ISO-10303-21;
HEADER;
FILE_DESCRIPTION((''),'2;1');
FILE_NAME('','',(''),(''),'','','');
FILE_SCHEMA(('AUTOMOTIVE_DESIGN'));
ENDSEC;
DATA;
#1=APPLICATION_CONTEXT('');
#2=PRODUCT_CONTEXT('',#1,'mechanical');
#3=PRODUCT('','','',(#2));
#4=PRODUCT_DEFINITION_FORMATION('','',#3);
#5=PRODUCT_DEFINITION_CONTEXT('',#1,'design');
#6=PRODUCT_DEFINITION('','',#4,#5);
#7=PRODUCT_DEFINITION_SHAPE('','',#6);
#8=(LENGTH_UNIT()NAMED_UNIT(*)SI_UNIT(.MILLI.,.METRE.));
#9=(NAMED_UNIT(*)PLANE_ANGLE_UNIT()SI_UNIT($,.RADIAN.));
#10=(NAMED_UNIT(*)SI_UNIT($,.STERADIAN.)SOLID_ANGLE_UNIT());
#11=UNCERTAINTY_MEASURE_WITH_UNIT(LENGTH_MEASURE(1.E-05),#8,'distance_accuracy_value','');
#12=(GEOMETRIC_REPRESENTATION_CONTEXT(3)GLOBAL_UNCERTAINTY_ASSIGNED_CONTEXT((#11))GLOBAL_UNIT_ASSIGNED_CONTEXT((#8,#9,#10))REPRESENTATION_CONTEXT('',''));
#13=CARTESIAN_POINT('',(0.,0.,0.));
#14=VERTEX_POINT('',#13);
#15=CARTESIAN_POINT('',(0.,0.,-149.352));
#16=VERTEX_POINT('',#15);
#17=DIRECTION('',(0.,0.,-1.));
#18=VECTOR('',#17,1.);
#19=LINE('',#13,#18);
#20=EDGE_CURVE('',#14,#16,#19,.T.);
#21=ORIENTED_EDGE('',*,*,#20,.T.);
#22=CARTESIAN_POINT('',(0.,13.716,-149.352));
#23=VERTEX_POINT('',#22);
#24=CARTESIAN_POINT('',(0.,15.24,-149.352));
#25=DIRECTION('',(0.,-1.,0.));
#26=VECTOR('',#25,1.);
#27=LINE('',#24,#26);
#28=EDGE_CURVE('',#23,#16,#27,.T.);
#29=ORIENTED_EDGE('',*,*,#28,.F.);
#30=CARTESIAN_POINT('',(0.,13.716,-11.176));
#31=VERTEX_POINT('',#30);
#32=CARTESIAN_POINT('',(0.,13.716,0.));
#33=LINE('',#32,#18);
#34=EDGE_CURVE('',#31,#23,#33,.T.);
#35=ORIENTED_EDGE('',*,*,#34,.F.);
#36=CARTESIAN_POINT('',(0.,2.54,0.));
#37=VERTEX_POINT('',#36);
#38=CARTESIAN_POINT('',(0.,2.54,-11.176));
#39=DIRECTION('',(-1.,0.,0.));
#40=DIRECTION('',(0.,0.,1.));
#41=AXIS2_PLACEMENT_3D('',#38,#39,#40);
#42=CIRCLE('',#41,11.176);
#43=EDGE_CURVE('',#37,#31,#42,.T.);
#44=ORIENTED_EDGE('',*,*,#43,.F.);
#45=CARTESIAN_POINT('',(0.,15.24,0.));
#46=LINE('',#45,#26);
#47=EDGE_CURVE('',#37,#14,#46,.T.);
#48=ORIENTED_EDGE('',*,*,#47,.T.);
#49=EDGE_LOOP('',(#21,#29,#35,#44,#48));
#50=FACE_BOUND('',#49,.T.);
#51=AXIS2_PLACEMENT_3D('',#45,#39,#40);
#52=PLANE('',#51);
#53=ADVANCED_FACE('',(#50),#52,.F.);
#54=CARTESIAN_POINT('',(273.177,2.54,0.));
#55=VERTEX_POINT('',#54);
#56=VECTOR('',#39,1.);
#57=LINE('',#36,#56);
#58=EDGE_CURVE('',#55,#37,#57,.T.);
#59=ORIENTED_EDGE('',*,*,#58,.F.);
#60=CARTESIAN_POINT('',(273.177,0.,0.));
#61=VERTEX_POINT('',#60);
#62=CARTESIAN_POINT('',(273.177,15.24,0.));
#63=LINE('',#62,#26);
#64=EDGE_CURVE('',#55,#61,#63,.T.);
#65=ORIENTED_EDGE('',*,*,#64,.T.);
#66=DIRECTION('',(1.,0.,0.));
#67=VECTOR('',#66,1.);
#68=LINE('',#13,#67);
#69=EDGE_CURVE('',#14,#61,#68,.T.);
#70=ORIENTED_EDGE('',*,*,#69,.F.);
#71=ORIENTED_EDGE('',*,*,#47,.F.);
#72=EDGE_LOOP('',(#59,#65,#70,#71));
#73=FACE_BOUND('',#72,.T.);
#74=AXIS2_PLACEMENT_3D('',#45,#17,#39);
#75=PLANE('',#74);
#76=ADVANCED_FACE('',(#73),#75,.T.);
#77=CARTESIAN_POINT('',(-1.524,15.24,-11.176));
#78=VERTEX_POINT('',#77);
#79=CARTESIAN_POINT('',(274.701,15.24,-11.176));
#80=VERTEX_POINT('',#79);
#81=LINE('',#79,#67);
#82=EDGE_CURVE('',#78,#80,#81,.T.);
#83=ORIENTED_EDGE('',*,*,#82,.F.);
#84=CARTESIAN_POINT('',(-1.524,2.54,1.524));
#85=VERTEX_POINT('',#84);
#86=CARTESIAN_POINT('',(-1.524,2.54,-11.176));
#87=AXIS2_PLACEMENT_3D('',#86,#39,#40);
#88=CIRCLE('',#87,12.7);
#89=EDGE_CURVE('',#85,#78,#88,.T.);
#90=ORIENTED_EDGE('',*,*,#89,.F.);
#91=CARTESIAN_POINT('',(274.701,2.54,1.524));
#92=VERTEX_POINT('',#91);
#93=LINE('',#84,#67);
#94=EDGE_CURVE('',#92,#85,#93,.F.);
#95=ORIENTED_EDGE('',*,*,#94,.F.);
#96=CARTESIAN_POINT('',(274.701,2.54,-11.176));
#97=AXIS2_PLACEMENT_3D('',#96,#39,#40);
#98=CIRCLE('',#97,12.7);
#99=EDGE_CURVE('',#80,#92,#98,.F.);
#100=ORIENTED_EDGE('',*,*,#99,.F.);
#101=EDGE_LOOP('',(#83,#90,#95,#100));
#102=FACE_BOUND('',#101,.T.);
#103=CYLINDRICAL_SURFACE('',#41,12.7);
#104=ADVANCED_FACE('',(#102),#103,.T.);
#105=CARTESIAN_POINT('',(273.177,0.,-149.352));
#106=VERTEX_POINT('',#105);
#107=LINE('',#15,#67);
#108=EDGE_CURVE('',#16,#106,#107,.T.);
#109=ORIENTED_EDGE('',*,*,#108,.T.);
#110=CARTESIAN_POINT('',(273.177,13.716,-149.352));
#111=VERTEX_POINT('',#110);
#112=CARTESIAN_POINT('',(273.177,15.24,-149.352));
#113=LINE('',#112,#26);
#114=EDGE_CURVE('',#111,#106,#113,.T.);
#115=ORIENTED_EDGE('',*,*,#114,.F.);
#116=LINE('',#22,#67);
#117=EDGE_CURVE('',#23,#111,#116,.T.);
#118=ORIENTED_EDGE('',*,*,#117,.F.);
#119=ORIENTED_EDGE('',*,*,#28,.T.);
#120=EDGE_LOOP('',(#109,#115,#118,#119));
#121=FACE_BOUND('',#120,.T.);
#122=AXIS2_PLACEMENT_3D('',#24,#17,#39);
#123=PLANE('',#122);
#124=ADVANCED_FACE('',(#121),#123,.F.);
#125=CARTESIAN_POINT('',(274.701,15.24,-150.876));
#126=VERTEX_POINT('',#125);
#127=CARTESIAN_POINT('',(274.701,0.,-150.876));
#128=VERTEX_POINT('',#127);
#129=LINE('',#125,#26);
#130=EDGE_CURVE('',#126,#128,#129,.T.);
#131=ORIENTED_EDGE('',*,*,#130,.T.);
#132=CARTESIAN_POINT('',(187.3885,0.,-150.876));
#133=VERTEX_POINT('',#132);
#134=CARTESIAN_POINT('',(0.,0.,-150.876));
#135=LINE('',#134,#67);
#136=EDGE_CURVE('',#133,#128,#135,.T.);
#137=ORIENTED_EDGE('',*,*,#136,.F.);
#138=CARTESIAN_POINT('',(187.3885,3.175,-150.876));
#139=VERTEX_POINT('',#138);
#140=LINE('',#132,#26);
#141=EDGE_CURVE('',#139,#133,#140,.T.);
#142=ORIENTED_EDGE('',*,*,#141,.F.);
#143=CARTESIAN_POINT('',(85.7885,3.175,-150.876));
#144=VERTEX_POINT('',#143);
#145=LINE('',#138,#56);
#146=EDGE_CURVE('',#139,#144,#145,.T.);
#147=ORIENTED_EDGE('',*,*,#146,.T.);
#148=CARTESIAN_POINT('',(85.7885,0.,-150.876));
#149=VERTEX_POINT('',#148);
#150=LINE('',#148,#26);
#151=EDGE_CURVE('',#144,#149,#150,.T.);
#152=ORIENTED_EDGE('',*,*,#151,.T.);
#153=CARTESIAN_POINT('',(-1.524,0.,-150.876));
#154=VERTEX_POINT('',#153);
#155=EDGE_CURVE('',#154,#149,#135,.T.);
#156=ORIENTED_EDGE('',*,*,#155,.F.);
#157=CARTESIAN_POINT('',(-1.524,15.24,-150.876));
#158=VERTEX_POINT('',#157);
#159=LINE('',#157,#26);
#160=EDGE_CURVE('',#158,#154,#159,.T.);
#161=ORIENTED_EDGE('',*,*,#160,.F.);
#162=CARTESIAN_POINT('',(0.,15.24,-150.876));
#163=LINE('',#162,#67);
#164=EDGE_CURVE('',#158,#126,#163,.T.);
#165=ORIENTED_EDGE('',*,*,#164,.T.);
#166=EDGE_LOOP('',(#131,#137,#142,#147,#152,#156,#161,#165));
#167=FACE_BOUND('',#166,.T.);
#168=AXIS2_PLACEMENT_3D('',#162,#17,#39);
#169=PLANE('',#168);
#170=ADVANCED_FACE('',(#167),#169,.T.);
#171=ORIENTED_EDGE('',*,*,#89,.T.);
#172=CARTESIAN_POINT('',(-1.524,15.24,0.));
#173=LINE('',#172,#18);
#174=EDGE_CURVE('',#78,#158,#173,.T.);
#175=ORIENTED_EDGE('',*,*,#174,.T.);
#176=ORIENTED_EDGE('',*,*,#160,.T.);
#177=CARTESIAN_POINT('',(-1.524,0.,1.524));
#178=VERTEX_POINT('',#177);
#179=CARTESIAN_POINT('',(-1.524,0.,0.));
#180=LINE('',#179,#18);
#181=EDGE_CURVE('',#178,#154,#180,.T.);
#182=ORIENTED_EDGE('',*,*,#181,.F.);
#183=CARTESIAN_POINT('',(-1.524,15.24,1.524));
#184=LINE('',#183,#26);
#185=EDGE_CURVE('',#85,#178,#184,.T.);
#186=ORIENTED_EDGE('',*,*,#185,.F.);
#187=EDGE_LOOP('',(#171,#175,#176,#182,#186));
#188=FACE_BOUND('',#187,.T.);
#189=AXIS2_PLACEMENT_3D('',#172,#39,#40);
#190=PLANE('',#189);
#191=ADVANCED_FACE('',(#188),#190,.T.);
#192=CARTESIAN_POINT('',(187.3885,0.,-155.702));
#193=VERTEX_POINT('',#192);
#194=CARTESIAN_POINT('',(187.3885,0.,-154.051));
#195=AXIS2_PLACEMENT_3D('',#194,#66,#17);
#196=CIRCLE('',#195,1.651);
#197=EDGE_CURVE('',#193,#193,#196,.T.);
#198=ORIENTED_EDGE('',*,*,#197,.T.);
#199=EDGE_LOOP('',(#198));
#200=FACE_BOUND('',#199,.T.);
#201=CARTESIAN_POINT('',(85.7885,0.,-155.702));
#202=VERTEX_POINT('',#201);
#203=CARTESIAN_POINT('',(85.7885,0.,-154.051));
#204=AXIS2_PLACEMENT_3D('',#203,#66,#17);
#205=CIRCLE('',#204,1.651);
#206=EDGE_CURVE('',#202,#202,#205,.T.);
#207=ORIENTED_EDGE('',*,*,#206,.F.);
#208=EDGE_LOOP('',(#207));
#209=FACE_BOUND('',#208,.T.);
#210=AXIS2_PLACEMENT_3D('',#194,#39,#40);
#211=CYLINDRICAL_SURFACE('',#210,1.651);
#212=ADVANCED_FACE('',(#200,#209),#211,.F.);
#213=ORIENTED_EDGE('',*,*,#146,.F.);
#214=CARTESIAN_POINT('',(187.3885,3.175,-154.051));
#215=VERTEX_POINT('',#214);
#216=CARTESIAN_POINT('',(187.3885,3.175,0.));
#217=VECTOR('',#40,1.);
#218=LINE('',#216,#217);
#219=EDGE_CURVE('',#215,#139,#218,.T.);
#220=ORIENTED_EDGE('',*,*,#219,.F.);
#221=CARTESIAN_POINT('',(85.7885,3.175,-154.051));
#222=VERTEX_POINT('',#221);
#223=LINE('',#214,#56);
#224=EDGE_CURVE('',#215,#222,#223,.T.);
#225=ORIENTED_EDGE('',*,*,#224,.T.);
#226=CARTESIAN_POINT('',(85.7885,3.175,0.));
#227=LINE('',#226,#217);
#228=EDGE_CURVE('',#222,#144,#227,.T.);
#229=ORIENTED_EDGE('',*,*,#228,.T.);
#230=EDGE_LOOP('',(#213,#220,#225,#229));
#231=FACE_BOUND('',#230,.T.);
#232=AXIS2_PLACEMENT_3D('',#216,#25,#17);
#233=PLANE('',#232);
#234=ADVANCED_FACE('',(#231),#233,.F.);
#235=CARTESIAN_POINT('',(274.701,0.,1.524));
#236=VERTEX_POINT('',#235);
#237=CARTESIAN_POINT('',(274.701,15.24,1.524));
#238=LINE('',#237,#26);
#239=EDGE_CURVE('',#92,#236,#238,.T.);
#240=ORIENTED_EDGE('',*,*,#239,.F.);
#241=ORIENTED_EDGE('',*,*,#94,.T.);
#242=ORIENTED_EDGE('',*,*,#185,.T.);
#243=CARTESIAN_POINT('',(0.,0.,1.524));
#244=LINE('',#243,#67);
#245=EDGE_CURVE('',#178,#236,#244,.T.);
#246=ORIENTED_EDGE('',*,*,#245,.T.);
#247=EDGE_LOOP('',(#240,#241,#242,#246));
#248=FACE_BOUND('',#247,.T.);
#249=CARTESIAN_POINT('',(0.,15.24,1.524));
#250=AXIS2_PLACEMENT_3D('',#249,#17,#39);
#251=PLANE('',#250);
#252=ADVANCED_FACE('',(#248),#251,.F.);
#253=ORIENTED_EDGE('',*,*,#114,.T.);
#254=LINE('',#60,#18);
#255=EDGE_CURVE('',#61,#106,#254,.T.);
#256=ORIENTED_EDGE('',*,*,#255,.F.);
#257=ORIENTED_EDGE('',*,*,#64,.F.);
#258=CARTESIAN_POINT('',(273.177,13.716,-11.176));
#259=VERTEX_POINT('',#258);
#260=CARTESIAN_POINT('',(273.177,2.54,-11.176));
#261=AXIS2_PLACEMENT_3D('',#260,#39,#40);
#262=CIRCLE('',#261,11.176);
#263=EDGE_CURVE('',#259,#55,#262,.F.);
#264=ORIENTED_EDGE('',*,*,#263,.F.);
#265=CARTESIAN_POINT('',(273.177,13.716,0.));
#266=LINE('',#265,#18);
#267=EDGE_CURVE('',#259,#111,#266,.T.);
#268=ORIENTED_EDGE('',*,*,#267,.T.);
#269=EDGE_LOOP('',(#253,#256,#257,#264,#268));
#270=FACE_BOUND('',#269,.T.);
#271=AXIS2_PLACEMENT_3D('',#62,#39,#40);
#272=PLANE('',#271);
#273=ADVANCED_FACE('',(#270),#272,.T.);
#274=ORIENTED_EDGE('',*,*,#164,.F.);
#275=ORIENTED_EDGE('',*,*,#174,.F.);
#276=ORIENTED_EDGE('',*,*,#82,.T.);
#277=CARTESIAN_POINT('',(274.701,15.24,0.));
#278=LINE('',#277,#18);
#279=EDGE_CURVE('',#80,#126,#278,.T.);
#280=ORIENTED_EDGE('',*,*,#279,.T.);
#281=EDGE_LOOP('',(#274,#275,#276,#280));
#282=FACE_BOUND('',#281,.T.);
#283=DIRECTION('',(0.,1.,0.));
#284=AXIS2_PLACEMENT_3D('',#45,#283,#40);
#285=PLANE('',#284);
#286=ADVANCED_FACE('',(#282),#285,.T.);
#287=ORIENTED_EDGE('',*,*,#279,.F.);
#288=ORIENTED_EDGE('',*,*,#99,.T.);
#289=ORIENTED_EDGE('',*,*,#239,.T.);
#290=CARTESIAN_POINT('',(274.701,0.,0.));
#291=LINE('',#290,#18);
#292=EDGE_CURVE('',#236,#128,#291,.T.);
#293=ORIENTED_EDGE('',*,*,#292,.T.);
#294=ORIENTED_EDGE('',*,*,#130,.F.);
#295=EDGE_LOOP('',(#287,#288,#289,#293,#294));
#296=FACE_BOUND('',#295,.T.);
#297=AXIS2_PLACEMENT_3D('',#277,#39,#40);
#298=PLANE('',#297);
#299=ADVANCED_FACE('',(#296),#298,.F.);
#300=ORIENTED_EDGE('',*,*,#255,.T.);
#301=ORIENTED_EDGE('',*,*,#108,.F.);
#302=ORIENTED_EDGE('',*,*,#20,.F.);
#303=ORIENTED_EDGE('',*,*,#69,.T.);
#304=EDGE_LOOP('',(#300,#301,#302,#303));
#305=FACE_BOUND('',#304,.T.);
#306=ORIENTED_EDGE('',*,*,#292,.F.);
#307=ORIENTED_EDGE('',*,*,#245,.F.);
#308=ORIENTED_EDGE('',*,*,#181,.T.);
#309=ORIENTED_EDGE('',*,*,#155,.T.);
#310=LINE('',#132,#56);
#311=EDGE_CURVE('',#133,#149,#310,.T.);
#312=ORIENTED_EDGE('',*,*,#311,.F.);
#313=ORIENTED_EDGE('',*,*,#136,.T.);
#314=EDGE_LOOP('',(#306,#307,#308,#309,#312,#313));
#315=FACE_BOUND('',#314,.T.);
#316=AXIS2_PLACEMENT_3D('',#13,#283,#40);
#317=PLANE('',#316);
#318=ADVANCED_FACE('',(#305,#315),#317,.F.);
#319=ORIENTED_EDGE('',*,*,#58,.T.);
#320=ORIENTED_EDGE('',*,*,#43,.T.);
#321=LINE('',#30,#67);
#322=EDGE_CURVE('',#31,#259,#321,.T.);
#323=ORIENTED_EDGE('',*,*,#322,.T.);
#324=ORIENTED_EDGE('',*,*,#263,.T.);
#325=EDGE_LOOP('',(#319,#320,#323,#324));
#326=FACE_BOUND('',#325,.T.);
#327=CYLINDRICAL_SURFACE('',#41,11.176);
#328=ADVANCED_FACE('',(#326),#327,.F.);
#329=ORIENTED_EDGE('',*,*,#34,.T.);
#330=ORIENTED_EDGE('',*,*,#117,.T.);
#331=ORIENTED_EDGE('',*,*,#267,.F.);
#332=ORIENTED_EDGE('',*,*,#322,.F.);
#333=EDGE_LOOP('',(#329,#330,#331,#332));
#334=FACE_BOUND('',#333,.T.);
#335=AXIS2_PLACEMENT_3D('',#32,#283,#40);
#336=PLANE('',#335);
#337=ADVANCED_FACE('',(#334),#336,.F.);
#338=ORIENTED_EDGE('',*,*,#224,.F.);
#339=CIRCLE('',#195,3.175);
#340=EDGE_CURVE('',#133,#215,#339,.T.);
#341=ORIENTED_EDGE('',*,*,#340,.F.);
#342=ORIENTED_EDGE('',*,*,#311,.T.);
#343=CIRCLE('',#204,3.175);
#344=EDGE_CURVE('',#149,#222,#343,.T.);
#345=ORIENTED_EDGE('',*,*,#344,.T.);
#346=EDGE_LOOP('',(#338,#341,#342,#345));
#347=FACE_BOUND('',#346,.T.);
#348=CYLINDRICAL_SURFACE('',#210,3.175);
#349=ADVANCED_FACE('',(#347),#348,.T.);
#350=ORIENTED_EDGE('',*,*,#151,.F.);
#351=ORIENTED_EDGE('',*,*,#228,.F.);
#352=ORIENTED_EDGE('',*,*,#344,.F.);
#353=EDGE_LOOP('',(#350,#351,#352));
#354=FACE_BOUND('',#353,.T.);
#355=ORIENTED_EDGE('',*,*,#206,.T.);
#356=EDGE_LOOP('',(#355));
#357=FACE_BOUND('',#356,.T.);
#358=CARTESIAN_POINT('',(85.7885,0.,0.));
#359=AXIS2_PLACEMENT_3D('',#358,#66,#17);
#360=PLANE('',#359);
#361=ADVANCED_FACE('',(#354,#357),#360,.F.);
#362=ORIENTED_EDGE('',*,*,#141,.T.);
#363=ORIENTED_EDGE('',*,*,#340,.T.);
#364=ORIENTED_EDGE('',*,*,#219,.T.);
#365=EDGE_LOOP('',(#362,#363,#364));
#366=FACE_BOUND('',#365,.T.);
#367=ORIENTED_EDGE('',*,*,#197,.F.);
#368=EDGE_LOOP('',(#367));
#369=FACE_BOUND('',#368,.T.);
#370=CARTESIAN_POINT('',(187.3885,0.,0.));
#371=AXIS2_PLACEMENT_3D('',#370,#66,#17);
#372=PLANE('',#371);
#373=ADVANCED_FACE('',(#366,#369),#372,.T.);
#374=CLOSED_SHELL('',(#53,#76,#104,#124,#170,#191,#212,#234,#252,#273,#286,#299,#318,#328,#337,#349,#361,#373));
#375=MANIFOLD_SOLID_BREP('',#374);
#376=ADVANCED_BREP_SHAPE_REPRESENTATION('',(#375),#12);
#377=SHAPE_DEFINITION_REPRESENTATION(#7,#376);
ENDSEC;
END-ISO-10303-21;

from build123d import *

# Parameters (mm, degrees)
SKETCH1_W           = 276.225
SKETCH1_H           = 152.4
SKETCH1_W_2         = 273.177
SKETCH1_H_2         = 149.352
BULK_EXTRUDE_DEPTH  = 15.24
FILLET1_R           = 12.7
SHELL_T             = -1.524
SKETCH2_R           = 1.651
BOSS_EXTRUDE3_DEPTH = 50.8


with BuildPart() as part:
    # Sketch1 → Bulk-Extrude (new body)
    with BuildSketch(Plane(origin=(0, 0, 0), x_dir=(1, 0, 0), z_dir=(0, 1, 0))):
        with Locations((136.5885, 74.676)):
            Rectangle(SKETCH1_W, SKETCH1_H)
        with Locations((136.5885, 74.676)):
            Rectangle(SKETCH1_W_2, SKETCH1_H_2, mode=Mode.SUBTRACT)
        with Locations((136.5885, 74.676)):
            Rectangle(SKETCH1_W_2, SKETCH1_H_2)
    extrude(amount=BULK_EXTRUDE_DEPTH)

    # Fillet1
    fillet1_edges = [part.edges().sort_by_distance(p)[0] for p in [
        (136.5885, 15.24, 1.524),
    ]]
    fillet(fillet1_edges, radius=FILLET1_R)

    # Shell
    shell_openings = [part.faces().sort_by_distance(p)[0] for p in [
        (136.5885, 0, -74.676),
    ]]
    offset(amount=SHELL_T, openings=shell_openings, kind=Kind.INTERSECTION)

    # Sketch2 → Boss-Extrude3 (add, symmetric)
    with BuildSketch(Plane(origin=(136.5885, 0, 0), x_dir=(0, 0, -1), z_dir=(1, 0, 0))):
        with BuildLine():
            Line((150.876, 3.175), (150.876, 0))
            ThreePointArc((150.876, 0), (156.29606403, -2.24506403), (154.051, 3.175))
            Line((154.051, 3.175), (150.876, 3.175))
        make_face()
        with Locations((154.051, 0)):
            Circle(SKETCH2_R, mode=Mode.SUBTRACT)
    extrude(amount=BOSS_EXTRUDE3_DEPTH, both=True)


solid = part.part
